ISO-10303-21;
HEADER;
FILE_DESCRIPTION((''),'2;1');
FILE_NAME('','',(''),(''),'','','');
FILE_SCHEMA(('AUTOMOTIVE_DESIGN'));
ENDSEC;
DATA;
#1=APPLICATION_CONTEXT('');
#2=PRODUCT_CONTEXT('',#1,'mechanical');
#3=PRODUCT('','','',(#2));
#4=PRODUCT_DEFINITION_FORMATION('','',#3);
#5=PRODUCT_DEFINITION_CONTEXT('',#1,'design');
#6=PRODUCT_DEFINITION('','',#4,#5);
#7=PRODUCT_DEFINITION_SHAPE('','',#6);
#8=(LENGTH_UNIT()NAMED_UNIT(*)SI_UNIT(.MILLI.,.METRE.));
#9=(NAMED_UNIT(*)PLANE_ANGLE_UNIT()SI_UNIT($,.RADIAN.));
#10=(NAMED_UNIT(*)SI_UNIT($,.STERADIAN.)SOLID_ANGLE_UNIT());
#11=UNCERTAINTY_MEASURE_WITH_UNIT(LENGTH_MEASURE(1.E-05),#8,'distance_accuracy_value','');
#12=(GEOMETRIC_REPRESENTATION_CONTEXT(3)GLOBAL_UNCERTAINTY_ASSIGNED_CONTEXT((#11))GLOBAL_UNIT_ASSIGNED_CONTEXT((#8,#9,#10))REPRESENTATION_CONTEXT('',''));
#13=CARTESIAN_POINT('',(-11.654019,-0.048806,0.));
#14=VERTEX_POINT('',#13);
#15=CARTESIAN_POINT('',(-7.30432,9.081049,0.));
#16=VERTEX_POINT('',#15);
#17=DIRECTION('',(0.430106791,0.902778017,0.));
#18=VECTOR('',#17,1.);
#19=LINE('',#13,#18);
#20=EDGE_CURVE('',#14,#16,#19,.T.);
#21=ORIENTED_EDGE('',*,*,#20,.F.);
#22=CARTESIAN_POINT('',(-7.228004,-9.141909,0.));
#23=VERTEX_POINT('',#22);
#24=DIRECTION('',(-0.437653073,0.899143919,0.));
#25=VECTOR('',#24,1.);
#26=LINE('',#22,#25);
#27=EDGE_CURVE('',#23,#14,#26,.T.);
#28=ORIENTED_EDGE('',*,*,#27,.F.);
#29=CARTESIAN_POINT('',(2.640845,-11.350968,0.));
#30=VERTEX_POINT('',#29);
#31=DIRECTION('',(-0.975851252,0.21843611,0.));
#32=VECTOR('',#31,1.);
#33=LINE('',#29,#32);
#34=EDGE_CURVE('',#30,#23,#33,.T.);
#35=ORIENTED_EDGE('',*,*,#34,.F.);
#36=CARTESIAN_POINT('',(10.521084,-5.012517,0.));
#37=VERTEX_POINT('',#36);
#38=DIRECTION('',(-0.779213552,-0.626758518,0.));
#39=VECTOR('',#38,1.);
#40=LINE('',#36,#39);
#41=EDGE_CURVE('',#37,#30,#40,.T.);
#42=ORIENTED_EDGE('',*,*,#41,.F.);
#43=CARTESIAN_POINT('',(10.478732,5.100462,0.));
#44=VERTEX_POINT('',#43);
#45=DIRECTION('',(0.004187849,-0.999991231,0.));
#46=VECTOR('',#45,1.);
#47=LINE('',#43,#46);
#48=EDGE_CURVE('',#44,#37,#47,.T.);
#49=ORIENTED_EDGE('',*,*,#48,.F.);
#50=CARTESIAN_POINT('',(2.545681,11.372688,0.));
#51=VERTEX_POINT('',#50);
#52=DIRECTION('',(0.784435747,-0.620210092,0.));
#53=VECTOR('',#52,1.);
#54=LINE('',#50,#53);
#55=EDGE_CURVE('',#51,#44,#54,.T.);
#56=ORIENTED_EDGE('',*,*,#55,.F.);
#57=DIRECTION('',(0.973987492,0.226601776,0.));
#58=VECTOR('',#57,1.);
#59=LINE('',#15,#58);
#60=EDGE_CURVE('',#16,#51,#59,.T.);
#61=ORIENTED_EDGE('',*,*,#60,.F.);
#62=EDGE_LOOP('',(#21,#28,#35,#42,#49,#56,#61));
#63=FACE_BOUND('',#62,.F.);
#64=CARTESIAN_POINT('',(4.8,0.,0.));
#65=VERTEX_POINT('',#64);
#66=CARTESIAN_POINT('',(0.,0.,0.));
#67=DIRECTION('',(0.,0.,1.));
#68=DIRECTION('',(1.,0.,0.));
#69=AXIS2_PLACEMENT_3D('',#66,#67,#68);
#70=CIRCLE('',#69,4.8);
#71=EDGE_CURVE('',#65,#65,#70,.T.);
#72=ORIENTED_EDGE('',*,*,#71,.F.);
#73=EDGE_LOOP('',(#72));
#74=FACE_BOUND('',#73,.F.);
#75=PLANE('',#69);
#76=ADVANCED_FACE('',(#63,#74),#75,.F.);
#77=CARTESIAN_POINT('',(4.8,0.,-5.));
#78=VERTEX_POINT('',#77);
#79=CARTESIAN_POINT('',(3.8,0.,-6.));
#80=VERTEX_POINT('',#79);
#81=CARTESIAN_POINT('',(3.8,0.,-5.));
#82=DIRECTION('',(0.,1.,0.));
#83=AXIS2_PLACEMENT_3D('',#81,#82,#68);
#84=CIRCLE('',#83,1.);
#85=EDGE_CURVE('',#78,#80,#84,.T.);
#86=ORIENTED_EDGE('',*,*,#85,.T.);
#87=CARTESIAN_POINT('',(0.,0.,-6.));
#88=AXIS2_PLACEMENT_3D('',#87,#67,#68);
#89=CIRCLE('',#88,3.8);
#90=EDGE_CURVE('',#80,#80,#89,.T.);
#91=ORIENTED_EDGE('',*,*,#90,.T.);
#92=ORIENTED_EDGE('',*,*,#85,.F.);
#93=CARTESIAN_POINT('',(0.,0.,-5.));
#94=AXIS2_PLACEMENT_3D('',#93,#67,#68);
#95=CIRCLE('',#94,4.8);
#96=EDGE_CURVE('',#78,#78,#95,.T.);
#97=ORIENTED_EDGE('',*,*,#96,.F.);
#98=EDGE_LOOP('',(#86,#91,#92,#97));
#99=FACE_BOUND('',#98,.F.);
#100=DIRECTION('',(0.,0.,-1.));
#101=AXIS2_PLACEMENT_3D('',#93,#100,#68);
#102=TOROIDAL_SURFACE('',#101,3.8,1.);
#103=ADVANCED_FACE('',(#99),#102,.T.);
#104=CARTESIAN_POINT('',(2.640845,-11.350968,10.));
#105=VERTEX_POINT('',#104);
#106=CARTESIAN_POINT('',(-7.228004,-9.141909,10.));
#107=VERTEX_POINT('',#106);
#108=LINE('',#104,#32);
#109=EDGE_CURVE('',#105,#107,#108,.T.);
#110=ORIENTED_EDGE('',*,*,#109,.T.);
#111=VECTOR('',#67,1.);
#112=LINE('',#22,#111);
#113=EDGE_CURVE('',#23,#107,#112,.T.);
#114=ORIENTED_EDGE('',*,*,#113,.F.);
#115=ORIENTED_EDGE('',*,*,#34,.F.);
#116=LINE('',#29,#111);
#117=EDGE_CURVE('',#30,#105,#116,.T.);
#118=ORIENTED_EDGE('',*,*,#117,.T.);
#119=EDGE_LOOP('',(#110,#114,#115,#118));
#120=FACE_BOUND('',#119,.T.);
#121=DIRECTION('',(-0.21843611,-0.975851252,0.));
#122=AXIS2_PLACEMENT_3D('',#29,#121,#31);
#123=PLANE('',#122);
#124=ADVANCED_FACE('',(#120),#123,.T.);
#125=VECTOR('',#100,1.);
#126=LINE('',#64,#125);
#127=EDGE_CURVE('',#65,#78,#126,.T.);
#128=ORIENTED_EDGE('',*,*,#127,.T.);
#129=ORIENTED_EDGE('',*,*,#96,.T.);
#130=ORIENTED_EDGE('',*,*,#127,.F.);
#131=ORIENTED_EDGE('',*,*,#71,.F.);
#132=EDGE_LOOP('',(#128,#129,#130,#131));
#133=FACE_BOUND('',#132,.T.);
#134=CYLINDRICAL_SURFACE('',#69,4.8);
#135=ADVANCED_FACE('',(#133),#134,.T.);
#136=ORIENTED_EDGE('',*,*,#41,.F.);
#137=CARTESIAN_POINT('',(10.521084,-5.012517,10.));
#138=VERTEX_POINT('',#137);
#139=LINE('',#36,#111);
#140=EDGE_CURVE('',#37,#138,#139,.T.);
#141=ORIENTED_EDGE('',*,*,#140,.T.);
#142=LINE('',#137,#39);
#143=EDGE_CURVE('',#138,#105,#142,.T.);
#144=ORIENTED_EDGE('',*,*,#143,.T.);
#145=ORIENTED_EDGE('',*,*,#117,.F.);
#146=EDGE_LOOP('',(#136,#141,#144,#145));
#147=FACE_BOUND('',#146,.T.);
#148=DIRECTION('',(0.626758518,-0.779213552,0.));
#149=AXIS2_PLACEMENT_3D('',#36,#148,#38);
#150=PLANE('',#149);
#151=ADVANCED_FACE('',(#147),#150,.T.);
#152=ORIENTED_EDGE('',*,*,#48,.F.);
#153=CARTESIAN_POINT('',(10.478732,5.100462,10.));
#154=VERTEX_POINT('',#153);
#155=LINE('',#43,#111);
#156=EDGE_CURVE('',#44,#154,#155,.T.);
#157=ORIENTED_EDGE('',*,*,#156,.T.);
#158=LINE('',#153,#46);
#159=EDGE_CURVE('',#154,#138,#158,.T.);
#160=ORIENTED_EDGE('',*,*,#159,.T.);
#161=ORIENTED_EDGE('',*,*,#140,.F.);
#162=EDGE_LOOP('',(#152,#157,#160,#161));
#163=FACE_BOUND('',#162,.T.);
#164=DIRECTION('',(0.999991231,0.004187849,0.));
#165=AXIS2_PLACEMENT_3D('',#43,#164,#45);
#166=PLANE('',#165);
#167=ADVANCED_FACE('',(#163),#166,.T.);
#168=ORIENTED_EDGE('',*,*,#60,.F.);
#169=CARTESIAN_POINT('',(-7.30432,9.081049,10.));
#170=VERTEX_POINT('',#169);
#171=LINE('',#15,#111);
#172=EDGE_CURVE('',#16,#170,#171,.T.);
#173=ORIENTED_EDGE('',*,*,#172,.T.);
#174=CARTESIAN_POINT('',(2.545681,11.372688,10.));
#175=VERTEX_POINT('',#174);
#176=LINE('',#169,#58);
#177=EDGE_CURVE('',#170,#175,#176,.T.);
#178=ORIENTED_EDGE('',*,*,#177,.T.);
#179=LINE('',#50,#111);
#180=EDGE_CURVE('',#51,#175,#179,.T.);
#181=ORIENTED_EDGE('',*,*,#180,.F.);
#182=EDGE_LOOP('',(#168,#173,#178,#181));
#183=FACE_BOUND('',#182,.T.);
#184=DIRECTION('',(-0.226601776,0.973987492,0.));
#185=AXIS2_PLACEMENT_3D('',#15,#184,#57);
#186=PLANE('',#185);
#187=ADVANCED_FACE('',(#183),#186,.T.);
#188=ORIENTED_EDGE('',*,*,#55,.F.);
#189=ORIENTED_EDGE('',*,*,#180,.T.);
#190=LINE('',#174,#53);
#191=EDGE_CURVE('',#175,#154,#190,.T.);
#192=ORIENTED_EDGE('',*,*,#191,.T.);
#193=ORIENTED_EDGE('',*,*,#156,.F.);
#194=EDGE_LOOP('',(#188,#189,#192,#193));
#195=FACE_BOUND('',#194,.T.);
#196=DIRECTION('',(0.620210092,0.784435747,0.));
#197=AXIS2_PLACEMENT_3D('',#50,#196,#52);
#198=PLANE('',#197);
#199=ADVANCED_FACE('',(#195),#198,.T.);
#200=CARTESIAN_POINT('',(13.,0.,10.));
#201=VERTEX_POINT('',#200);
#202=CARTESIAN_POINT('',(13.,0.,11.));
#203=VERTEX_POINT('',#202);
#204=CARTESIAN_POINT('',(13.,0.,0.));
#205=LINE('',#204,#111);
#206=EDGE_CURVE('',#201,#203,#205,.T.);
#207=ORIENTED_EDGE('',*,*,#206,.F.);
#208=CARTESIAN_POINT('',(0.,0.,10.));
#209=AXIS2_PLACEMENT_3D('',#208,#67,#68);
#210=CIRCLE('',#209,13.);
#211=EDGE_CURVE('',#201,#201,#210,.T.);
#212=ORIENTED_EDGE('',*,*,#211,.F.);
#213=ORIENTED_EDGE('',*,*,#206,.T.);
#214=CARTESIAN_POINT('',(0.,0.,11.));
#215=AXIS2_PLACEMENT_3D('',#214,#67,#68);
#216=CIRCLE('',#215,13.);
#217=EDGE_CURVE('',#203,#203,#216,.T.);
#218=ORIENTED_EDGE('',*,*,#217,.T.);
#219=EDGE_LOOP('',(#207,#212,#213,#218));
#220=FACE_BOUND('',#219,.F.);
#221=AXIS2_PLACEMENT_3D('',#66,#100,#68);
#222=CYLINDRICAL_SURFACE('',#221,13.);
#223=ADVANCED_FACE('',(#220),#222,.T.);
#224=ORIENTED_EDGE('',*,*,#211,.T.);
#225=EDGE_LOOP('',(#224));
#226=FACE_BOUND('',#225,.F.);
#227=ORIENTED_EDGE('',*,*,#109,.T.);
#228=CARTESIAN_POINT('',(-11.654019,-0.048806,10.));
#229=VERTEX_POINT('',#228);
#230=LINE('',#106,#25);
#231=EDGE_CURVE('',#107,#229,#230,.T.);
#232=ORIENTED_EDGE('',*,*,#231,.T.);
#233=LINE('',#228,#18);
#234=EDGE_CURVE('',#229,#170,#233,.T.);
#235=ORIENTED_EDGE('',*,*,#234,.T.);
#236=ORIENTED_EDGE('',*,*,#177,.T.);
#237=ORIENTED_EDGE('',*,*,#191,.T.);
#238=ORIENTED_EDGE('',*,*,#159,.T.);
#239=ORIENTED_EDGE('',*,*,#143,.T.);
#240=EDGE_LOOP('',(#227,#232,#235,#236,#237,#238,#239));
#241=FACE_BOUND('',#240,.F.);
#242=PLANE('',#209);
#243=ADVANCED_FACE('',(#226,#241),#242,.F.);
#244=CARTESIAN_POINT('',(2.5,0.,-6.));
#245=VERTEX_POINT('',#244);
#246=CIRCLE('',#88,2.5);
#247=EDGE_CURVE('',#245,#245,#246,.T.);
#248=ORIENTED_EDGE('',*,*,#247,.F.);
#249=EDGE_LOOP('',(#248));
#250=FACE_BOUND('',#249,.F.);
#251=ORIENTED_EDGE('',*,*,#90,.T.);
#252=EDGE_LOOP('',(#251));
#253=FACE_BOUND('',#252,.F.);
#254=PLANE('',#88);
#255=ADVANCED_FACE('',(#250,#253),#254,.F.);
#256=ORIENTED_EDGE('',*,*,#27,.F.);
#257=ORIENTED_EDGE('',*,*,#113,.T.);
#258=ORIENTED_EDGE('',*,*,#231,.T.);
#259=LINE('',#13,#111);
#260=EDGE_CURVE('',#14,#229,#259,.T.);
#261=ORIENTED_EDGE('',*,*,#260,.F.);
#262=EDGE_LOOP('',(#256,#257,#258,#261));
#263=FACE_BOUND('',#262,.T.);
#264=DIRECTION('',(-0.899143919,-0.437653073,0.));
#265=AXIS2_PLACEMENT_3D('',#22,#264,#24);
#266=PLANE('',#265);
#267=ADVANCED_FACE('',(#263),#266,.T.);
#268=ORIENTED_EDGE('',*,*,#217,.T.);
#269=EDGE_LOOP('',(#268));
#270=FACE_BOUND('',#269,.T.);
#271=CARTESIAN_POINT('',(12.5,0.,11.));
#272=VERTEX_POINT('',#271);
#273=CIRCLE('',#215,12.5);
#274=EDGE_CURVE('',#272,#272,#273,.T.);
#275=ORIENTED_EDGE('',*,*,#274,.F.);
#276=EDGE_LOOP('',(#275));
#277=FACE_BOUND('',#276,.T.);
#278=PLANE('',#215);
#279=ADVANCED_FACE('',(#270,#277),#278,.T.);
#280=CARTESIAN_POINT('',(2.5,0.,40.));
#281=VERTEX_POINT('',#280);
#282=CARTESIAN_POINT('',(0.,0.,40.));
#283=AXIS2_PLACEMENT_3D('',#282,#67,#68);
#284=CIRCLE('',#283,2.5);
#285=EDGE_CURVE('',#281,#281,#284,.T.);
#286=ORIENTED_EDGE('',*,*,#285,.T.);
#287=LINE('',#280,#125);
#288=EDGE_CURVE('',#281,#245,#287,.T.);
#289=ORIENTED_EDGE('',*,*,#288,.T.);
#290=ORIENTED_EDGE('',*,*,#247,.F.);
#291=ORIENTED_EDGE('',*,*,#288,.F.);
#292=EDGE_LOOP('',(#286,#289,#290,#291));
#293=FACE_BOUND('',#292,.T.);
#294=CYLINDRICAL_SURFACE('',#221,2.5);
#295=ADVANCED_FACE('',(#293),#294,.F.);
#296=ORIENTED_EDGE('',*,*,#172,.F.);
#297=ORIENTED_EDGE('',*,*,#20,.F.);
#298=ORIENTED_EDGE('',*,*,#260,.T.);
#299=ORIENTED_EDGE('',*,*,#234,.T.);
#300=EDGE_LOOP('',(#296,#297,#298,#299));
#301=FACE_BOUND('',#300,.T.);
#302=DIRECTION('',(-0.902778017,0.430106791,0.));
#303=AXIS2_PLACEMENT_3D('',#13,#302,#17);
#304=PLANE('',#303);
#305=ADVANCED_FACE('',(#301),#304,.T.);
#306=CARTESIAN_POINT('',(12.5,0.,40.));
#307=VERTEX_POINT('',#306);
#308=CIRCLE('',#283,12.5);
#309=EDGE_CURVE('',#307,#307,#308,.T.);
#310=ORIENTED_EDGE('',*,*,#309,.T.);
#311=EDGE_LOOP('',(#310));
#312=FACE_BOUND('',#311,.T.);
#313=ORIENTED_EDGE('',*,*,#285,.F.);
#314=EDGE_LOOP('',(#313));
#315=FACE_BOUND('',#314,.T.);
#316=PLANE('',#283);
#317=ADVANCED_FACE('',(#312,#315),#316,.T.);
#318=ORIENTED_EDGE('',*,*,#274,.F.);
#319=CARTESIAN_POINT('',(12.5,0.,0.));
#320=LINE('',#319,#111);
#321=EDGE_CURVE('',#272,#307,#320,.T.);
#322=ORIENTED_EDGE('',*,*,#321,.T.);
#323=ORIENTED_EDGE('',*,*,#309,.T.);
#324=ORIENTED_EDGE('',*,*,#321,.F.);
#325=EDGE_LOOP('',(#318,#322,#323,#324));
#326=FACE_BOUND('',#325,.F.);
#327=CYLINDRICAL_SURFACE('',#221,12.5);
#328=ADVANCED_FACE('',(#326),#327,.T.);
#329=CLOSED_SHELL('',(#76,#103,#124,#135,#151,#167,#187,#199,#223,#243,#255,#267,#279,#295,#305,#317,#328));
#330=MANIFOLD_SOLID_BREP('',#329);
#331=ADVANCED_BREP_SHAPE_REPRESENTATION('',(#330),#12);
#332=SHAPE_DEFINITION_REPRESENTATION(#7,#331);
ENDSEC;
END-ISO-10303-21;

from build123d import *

# Parameters (mm, degrees)
F0_R     = 4.8
F0_R_2   = 2.5
F1_DEPTH = 6
F2_DEPTH = 40
F0_R_3   = 12.5
F3_DEPTH = 40
F4_DEPTH = 10
F0_R_4   = 13
F5_DEPTH = 11
F6_DEPTH = 10
F7_R     = 1


with BuildPart() as f1:
    # F0 (on Top) → F1 (new body)
    with BuildSketch(Plane.XY):
        Circle(F0_R)
        Circle(F0_R_2, mode=Mode.SUBTRACT)
    extrude(amount=-F1_DEPTH)

    # F0 (on Top) → F2 (join)
    with BuildSketch(Plane.XY):
        Polygon((2.640845, -11.350968), (10.521084, -5.012517), (10.478732, 5.100462), (2.545681, 11.372688), (-7.30432, 9.081049), (-11.654019, -0.048806), (-7.228004, -9.141909), align=None)
        Circle(F0_R, mode=Mode.SUBTRACT)
        Circle(F0_R)
        Circle(F0_R_2, mode=Mode.SUBTRACT)
    extrude(amount=F2_DEPTH)

    # F0 (on Top) → F3 (join)
    with BuildSketch(Plane.XY):
        Circle(F0_R_3)
        Polygon((10.478732, 5.100462), (10.521084, -5.012517), (2.640845, -11.350968), (-7.228004, -9.141909), (-11.654019, -0.048806), (-7.30432, 9.081049), (2.545681, 11.372688), align=None, mode=Mode.SUBTRACT)
    extrude(amount=F3_DEPTH)

    # F0 (on Top) → F4 (cut)
    with BuildSketch(Plane.XY):
        Circle(F0_R_3)
        Polygon((10.478732, 5.100462), (10.521084, -5.012517), (2.640845, -11.350968), (-7.228004, -9.141909), (-11.654019, -0.048806), (-7.30432, 9.081049), (2.545681, 11.372688), align=None, mode=Mode.SUBTRACT)
    extrude(amount=F4_DEPTH, mode=Mode.SUBTRACT)

    # F0 (on Top) → F5 (join)
    with BuildSketch(Plane.XY):
        Circle(F0_R_4)
        Circle(F0_R_3, mode=Mode.SUBTRACT)
    extrude(amount=F5_DEPTH)

    # F0 (on Top) → F6 (cut)
    with BuildSketch(Plane.XY):
        Circle(F0_R_4)
        Circle(F0_R_3, mode=Mode.SUBTRACT)
    extrude(amount=F6_DEPTH, mode=Mode.SUBTRACT)

    # F7
    f7_edges = [f1.edges().sort_by_distance(p)[0] for p in [
        (-4.8, 0, -6),
    ]]
    fillet(f7_edges, radius=F7_R)


solid = f1.part
